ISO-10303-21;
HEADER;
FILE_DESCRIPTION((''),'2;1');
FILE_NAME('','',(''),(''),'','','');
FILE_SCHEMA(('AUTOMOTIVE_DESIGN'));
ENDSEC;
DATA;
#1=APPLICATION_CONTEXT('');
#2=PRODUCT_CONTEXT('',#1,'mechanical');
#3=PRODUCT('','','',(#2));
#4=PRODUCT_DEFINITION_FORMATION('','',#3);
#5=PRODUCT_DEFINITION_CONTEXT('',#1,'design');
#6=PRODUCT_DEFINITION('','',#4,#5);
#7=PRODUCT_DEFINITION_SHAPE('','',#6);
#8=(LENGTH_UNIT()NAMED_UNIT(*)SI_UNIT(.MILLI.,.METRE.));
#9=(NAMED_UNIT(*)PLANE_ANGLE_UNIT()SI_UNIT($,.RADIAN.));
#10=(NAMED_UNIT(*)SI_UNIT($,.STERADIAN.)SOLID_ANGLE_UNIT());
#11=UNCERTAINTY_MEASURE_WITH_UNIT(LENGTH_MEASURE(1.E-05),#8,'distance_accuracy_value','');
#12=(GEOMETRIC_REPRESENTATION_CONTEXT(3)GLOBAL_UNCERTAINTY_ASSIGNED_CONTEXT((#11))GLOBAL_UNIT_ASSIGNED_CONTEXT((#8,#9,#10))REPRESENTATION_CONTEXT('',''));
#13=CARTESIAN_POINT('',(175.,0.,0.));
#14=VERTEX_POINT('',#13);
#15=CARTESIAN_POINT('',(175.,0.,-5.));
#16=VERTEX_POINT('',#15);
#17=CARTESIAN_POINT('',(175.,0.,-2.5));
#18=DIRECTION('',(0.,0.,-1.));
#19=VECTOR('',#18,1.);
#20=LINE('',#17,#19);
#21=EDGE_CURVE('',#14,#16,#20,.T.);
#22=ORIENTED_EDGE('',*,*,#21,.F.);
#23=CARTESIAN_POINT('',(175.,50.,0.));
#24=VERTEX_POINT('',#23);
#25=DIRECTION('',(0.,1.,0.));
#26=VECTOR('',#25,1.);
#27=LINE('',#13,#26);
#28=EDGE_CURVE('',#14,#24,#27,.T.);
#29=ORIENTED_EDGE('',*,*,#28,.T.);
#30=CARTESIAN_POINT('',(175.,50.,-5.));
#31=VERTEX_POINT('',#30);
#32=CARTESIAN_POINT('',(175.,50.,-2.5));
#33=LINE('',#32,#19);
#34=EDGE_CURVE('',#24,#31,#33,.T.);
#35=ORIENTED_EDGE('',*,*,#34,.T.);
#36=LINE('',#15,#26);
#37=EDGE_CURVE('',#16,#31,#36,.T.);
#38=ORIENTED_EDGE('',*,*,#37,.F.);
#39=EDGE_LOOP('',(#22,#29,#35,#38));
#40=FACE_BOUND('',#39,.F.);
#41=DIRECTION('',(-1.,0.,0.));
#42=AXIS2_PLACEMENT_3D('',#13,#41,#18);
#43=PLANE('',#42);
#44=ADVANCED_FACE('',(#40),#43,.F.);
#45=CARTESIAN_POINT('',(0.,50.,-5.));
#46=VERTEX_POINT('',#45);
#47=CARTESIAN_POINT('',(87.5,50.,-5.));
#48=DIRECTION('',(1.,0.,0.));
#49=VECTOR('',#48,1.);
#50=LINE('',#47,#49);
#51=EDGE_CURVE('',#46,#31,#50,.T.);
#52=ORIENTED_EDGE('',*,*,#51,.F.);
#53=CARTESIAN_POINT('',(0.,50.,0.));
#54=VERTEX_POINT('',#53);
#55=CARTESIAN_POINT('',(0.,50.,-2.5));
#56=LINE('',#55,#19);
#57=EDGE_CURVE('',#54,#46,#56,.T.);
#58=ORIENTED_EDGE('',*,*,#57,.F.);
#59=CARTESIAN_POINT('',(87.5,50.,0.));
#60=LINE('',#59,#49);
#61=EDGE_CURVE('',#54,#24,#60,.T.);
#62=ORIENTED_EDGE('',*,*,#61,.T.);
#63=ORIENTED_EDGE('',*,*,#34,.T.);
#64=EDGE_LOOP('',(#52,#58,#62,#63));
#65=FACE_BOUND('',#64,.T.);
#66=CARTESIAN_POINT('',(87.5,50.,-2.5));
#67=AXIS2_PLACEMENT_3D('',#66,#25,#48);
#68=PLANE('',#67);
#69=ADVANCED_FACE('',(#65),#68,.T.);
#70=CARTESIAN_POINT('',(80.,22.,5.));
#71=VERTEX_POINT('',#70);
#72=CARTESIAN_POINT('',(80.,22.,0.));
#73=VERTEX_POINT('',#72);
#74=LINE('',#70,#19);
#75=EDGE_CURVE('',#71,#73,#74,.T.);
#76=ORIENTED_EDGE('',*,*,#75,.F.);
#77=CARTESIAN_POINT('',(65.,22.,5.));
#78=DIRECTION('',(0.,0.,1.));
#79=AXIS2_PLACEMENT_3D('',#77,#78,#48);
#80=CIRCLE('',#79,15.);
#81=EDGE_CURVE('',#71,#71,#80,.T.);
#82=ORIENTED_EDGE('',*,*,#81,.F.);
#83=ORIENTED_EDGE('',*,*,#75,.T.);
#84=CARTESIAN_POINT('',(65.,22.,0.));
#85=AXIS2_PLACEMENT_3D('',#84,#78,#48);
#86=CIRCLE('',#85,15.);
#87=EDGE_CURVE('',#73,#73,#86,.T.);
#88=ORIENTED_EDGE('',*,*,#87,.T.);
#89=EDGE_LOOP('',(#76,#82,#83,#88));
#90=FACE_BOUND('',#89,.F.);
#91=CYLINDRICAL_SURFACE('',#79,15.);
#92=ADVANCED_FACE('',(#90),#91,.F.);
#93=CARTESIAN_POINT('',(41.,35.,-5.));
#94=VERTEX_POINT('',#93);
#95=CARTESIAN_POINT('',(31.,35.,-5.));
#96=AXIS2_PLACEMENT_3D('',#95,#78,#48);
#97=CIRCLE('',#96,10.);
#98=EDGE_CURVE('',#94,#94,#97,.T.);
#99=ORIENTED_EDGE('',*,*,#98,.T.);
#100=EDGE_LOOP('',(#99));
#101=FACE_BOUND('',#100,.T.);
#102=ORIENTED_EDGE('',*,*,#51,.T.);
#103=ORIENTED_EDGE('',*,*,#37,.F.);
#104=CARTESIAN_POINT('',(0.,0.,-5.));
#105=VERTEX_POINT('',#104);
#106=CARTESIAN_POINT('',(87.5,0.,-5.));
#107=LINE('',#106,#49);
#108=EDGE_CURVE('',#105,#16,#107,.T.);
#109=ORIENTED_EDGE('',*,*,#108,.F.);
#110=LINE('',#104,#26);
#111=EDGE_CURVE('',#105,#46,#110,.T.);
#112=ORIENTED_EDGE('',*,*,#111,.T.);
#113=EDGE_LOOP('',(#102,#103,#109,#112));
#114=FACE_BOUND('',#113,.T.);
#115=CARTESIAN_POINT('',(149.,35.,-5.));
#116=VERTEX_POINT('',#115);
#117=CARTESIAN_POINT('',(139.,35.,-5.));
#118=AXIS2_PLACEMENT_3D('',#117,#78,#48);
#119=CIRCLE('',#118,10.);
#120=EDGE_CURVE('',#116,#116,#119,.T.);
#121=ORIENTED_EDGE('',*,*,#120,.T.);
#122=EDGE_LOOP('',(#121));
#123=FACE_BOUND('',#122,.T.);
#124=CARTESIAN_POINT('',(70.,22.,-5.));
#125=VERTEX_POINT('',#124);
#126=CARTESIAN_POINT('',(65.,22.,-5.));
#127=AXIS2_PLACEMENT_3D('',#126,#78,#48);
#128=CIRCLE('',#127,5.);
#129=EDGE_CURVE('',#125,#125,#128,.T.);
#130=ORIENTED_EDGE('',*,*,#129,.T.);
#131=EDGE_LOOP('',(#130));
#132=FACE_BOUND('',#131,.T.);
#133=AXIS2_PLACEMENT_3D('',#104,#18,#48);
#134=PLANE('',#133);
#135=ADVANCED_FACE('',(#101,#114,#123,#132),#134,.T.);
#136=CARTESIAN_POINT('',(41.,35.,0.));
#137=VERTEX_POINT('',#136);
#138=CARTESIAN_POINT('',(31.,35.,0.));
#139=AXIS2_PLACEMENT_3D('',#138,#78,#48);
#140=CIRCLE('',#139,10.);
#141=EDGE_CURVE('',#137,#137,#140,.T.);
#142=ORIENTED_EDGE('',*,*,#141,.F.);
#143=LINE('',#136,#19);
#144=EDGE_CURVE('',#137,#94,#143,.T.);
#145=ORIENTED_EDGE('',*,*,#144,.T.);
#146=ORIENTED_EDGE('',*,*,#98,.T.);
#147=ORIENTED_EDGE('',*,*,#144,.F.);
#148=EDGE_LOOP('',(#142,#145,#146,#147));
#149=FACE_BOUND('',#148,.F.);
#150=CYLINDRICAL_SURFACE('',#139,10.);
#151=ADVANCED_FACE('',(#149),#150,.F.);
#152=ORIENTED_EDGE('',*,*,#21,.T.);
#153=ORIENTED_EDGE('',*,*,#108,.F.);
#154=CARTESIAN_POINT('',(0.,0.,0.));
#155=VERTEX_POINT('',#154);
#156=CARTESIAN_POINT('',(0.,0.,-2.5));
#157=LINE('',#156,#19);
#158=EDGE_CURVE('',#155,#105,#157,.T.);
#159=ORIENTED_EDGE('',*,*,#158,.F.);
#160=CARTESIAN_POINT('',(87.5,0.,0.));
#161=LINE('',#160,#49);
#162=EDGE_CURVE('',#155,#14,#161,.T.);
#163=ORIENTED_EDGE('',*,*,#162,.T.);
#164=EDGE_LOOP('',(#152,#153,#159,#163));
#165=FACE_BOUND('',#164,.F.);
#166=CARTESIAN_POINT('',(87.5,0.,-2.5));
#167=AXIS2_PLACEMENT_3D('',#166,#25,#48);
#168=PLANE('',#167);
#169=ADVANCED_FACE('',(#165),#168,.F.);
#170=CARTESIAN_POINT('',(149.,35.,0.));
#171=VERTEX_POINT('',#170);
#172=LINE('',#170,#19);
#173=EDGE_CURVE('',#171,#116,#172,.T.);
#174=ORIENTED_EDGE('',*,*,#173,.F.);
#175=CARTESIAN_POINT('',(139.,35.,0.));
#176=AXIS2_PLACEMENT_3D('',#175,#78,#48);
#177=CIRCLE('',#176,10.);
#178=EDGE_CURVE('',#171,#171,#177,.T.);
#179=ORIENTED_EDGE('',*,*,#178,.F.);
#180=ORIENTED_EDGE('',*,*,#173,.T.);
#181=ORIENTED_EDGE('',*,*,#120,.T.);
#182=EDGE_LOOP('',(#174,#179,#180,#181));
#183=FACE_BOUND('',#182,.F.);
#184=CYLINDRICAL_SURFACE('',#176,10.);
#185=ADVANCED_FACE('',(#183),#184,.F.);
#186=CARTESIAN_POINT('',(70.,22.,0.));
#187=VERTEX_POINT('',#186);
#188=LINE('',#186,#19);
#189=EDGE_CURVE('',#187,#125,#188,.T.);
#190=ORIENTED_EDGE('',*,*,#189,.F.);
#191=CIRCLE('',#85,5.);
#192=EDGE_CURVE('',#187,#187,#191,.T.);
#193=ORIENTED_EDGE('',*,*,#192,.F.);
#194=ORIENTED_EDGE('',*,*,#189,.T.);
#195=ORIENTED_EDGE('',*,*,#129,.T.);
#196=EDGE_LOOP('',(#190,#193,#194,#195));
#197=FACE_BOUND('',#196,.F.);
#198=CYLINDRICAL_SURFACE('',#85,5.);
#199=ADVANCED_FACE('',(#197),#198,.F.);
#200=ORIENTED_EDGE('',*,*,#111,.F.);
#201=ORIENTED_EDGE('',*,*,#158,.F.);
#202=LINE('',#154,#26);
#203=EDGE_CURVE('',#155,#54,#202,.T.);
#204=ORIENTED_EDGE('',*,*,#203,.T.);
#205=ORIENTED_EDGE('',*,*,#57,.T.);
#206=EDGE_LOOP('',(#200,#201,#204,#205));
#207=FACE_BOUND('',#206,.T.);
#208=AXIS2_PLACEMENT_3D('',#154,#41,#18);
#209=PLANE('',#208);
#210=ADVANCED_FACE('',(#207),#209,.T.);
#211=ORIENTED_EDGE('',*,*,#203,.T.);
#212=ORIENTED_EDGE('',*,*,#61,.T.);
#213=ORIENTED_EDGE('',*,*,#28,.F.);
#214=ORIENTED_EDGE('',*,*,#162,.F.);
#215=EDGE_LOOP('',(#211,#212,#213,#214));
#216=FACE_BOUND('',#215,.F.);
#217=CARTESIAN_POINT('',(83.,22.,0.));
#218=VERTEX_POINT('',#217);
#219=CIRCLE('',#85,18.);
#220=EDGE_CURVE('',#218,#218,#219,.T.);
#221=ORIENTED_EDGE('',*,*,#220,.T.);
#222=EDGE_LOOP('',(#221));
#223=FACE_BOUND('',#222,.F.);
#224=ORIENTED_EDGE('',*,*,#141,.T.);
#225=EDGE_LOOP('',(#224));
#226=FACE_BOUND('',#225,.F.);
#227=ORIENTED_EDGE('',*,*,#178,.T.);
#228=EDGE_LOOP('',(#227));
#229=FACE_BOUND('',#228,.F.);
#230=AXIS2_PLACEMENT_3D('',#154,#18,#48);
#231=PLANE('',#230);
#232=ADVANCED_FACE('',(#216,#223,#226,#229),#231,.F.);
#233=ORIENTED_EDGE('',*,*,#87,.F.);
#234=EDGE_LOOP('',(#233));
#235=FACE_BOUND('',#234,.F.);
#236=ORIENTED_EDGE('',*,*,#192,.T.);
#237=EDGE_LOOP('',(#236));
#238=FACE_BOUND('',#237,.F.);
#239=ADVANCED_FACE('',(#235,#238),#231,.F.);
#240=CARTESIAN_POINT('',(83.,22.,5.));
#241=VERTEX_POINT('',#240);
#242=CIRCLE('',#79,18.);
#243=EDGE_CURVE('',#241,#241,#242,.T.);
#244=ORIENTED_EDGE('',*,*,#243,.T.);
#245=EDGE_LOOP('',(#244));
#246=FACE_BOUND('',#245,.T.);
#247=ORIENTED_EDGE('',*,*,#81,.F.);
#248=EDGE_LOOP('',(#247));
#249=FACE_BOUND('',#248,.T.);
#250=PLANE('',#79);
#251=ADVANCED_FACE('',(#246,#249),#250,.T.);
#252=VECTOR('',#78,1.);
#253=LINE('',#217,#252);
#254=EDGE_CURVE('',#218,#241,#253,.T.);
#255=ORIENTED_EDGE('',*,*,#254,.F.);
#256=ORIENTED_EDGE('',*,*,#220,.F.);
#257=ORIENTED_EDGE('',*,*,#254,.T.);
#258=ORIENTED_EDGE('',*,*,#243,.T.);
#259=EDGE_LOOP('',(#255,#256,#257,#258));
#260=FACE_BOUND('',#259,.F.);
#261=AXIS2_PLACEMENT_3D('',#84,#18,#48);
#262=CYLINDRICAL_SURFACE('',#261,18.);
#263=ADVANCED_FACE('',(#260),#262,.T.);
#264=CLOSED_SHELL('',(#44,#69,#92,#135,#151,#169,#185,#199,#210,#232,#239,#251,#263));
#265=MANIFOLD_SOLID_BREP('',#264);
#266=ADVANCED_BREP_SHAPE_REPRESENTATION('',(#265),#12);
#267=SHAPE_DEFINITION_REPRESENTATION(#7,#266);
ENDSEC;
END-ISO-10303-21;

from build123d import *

# Parameters (mm, degrees)
BOX_W             = 175
BOX_H             = 5
BOX_DEPTH         = 50
SKETCH_R          = 10
POCKET_DEPTH      = 5.001
SKETCH003_R       = 5
POCKET002_DEPTH   = 5.001
SKETCH001_R       = 18
PAD_DEPTH         = 5
SKETCH002_R       = 15
POCKET001_DEPTH   = 5.001
FUSION_ROLL_ANGLE = -90


with BuildPart() as pocket002:
    # Box → Box (new body)
    with BuildSketch(Plane.XY):
        with Locations((87.5, 2.5)):
            Rectangle(BOX_W, BOX_H)
    extrude(amount=BOX_DEPTH)

    # Sketch → Pocket (cut, through all)
    with BuildSketch(Plane.XZ):
        with Locations((31, 35)):
            Circle(SKETCH_R)
        with Locations((139, 35)):
            Circle(SKETCH_R)
    extrude(amount=-POCKET_DEPTH, mode=Mode.SUBTRACT)

    # Sketch003 → Pocket002 (cut, through all)
    with BuildSketch(Plane.XZ):
        with Locations((65, 22)):
            Circle(SKETCH003_R)
    extrude(amount=-POCKET002_DEPTH, mode=Mode.SUBTRACT)


with BuildPart() as fusion:
    # Sketch001 → Pad (new body)
    with BuildSketch(Plane.XZ):
        with Locations((65, 22)):
            Circle(SKETCH001_R)
    extrude(amount=PAD_DEPTH)

    # Sketch002 → Pocket001 (cut, through all)
    with BuildSketch(Plane.XZ.offset(5)):
        with Locations((65, 22)):
            Circle(SKETCH002_R)
    extrude(amount=-POCKET001_DEPTH, mode=Mode.SUBTRACT)

    # Fusion: union Pocket002
    add(pocket002.part)


with BuildPart() as fusion_1:
    # Fusion roll: moved
    add(fusion.part.rotate(Axis((0, 0, 0), (1, 0, 0)), FUSION_ROLL_ANGLE))


with BuildPart() as fusion_2:
    # Fusion placement: moved
    add(fusion_1.part)


solid = fusion_2.part
